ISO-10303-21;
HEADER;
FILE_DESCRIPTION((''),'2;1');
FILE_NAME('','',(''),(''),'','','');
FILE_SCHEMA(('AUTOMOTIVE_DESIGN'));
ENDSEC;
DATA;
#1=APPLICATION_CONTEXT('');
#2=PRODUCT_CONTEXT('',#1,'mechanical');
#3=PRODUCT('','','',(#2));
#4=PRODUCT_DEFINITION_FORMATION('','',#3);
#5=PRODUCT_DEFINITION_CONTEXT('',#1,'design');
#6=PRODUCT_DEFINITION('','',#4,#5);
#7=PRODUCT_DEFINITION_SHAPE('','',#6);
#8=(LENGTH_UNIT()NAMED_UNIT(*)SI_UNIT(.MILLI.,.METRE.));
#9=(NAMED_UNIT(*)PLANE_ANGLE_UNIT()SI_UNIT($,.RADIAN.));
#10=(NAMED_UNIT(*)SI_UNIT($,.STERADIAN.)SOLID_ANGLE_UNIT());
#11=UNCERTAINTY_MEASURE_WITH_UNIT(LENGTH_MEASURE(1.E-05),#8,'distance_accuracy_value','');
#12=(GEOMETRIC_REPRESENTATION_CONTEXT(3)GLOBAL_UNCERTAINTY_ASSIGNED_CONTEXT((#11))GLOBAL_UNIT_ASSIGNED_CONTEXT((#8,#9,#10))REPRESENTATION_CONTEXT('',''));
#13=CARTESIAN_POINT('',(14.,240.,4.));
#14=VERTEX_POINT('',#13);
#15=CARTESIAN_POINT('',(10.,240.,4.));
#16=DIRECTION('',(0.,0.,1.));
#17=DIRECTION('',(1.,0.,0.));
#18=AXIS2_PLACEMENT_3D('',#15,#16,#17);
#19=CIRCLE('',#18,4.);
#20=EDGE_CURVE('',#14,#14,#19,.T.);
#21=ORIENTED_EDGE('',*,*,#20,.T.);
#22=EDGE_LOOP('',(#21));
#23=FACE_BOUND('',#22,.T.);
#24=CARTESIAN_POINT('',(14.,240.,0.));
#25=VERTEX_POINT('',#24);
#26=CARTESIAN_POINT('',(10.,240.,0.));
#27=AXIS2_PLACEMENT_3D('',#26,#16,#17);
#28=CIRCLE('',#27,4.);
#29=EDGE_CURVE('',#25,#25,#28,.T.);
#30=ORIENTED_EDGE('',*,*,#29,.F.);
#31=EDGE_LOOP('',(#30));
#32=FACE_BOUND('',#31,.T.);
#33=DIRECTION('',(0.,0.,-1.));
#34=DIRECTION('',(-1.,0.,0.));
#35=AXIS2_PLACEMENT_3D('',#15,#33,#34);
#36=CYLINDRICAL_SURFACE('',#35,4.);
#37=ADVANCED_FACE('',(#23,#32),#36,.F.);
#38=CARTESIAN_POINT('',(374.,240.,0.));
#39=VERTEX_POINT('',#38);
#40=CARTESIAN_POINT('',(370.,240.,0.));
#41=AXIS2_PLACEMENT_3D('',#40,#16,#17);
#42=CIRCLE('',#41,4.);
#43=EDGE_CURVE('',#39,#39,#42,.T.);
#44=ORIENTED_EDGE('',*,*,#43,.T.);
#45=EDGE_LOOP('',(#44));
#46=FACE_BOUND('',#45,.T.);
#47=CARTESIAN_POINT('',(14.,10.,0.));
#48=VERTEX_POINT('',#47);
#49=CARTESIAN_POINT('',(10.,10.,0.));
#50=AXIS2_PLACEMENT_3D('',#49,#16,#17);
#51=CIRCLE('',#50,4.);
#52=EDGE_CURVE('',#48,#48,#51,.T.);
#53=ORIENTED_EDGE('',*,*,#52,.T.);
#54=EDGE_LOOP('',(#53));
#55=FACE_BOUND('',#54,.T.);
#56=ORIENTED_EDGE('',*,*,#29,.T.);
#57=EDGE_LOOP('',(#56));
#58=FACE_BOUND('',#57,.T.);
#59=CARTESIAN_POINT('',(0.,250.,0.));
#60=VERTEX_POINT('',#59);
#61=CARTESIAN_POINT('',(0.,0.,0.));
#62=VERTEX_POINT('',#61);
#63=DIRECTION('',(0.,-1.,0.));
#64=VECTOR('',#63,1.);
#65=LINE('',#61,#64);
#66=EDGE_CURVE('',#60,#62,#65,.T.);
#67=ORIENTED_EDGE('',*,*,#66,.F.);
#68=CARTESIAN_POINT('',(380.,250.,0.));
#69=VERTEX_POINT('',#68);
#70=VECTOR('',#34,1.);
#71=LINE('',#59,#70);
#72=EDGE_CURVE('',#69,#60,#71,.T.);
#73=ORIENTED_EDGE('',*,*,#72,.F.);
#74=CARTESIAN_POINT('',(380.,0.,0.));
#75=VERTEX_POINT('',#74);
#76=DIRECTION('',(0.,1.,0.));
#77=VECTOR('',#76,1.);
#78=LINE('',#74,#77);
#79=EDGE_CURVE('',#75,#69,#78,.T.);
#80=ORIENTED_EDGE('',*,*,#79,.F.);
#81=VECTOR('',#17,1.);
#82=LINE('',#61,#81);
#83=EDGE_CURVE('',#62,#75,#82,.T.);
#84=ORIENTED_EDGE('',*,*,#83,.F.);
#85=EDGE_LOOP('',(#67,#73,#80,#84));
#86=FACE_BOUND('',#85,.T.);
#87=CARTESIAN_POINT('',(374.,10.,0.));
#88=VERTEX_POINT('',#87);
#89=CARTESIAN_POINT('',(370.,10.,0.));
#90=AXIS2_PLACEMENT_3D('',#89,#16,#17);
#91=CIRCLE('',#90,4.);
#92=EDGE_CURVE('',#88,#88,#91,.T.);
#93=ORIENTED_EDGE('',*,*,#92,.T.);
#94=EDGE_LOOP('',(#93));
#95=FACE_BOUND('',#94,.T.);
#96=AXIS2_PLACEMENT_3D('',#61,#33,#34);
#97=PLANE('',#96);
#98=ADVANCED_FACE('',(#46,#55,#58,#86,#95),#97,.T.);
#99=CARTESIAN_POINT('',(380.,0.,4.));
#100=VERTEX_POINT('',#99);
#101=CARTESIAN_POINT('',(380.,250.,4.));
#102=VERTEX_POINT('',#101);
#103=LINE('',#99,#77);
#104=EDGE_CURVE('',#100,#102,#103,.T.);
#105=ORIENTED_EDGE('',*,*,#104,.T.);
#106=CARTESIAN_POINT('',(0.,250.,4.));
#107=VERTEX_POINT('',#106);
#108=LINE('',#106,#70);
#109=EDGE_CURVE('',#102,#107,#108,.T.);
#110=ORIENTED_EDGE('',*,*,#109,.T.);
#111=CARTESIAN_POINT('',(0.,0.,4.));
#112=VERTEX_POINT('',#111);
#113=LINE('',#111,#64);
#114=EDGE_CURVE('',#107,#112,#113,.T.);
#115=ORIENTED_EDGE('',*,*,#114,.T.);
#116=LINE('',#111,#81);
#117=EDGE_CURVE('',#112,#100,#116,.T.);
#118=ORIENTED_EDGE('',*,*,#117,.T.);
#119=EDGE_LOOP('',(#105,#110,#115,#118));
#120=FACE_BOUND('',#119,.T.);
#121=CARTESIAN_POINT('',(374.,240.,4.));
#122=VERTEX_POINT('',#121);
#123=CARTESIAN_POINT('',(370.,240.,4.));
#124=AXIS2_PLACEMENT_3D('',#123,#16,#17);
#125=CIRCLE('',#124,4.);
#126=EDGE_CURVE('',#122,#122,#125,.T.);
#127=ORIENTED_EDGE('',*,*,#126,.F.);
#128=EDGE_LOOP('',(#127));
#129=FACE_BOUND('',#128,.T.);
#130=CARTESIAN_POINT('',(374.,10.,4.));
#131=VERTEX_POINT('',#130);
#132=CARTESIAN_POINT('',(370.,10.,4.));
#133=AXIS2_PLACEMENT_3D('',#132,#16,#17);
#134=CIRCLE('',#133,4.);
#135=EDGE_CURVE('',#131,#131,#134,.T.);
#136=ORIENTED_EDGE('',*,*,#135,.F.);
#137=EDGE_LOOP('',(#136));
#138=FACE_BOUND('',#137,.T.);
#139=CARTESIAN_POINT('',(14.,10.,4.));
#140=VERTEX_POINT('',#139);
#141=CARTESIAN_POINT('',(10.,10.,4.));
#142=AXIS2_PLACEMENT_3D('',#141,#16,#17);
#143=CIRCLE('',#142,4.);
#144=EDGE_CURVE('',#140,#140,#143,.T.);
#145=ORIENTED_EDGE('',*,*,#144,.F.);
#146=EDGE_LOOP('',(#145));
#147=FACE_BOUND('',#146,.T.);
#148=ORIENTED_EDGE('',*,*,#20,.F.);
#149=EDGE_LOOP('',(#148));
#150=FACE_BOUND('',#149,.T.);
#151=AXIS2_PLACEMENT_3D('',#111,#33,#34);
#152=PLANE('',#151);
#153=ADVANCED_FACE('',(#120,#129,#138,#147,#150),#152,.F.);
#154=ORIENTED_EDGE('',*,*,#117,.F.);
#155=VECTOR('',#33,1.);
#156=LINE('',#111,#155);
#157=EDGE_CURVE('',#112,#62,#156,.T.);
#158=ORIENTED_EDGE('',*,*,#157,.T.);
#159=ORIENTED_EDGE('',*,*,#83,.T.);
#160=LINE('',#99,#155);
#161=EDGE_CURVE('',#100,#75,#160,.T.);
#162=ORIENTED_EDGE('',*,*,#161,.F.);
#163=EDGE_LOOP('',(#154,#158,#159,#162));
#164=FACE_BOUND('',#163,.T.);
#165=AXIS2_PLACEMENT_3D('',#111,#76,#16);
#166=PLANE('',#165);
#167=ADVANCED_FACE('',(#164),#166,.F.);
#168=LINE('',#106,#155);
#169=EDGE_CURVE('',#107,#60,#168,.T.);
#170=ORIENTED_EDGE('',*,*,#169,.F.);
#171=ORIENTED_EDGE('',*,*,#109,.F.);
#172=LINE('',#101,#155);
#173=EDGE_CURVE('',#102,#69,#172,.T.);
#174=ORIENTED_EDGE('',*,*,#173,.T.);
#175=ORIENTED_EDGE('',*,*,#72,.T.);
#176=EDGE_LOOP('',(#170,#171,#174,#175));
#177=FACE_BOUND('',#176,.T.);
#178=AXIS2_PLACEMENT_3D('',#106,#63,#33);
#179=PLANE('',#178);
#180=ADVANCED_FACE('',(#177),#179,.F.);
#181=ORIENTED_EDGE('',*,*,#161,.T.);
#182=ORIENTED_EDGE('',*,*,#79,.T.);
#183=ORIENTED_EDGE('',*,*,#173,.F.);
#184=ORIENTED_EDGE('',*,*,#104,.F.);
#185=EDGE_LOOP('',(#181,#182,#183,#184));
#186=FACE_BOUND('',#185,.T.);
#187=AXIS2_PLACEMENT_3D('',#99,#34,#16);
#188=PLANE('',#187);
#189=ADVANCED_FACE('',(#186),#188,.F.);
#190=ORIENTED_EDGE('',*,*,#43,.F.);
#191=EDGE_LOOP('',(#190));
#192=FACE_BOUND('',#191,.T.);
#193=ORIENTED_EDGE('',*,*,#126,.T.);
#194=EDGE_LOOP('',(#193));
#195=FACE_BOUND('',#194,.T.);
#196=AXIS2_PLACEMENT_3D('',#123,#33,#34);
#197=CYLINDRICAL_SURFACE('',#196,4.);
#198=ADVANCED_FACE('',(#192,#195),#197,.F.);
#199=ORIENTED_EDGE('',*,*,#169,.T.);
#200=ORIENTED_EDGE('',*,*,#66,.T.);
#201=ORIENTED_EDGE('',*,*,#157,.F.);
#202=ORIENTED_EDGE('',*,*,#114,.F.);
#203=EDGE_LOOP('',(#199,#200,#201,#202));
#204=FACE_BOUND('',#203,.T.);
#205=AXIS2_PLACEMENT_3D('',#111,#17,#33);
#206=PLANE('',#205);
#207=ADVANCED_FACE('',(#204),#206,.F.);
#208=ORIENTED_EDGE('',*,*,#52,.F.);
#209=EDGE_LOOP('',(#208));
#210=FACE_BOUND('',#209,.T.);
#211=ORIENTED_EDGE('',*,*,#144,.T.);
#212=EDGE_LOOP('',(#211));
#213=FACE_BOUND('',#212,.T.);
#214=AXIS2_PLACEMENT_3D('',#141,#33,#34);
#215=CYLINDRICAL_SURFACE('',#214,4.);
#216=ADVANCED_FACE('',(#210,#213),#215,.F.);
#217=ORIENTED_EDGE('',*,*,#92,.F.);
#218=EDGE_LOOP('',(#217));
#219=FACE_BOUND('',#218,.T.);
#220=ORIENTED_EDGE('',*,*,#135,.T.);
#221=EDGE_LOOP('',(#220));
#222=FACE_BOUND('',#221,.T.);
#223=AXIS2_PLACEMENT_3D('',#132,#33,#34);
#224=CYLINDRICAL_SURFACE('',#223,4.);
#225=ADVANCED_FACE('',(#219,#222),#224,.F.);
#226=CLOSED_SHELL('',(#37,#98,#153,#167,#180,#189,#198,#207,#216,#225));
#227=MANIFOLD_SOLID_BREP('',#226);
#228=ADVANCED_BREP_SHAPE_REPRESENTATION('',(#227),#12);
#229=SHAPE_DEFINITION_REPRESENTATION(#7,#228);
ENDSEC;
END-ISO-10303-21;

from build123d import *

# Parameters (mm, degrees)
SKETCH_1_W      = 380
SKETCH_1_H      = 250
SKETCH_1_R      = 4
EXTRUDE_1_DEPTH = 4


with BuildPart() as part:
    # 草图1 → 凸台-拉伸1 (new body)
    with BuildSketch(Plane.XY):
        with Locations((190, 125)):
            Rectangle(SKETCH_1_W, SKETCH_1_H)
        with Locations((10, 240)):
            Circle(SKETCH_1_R, mode=Mode.SUBTRACT)
        with Locations((370, 240)):
            Circle(SKETCH_1_R, mode=Mode.SUBTRACT)
        with Locations((370, 10)):
            Circle(SKETCH_1_R, mode=Mode.SUBTRACT)
        with Locations((10, 10)):
            Circle(SKETCH_1_R, mode=Mode.SUBTRACT)
    extrude(amount=EXTRUDE_1_DEPTH)


solid = part.part
